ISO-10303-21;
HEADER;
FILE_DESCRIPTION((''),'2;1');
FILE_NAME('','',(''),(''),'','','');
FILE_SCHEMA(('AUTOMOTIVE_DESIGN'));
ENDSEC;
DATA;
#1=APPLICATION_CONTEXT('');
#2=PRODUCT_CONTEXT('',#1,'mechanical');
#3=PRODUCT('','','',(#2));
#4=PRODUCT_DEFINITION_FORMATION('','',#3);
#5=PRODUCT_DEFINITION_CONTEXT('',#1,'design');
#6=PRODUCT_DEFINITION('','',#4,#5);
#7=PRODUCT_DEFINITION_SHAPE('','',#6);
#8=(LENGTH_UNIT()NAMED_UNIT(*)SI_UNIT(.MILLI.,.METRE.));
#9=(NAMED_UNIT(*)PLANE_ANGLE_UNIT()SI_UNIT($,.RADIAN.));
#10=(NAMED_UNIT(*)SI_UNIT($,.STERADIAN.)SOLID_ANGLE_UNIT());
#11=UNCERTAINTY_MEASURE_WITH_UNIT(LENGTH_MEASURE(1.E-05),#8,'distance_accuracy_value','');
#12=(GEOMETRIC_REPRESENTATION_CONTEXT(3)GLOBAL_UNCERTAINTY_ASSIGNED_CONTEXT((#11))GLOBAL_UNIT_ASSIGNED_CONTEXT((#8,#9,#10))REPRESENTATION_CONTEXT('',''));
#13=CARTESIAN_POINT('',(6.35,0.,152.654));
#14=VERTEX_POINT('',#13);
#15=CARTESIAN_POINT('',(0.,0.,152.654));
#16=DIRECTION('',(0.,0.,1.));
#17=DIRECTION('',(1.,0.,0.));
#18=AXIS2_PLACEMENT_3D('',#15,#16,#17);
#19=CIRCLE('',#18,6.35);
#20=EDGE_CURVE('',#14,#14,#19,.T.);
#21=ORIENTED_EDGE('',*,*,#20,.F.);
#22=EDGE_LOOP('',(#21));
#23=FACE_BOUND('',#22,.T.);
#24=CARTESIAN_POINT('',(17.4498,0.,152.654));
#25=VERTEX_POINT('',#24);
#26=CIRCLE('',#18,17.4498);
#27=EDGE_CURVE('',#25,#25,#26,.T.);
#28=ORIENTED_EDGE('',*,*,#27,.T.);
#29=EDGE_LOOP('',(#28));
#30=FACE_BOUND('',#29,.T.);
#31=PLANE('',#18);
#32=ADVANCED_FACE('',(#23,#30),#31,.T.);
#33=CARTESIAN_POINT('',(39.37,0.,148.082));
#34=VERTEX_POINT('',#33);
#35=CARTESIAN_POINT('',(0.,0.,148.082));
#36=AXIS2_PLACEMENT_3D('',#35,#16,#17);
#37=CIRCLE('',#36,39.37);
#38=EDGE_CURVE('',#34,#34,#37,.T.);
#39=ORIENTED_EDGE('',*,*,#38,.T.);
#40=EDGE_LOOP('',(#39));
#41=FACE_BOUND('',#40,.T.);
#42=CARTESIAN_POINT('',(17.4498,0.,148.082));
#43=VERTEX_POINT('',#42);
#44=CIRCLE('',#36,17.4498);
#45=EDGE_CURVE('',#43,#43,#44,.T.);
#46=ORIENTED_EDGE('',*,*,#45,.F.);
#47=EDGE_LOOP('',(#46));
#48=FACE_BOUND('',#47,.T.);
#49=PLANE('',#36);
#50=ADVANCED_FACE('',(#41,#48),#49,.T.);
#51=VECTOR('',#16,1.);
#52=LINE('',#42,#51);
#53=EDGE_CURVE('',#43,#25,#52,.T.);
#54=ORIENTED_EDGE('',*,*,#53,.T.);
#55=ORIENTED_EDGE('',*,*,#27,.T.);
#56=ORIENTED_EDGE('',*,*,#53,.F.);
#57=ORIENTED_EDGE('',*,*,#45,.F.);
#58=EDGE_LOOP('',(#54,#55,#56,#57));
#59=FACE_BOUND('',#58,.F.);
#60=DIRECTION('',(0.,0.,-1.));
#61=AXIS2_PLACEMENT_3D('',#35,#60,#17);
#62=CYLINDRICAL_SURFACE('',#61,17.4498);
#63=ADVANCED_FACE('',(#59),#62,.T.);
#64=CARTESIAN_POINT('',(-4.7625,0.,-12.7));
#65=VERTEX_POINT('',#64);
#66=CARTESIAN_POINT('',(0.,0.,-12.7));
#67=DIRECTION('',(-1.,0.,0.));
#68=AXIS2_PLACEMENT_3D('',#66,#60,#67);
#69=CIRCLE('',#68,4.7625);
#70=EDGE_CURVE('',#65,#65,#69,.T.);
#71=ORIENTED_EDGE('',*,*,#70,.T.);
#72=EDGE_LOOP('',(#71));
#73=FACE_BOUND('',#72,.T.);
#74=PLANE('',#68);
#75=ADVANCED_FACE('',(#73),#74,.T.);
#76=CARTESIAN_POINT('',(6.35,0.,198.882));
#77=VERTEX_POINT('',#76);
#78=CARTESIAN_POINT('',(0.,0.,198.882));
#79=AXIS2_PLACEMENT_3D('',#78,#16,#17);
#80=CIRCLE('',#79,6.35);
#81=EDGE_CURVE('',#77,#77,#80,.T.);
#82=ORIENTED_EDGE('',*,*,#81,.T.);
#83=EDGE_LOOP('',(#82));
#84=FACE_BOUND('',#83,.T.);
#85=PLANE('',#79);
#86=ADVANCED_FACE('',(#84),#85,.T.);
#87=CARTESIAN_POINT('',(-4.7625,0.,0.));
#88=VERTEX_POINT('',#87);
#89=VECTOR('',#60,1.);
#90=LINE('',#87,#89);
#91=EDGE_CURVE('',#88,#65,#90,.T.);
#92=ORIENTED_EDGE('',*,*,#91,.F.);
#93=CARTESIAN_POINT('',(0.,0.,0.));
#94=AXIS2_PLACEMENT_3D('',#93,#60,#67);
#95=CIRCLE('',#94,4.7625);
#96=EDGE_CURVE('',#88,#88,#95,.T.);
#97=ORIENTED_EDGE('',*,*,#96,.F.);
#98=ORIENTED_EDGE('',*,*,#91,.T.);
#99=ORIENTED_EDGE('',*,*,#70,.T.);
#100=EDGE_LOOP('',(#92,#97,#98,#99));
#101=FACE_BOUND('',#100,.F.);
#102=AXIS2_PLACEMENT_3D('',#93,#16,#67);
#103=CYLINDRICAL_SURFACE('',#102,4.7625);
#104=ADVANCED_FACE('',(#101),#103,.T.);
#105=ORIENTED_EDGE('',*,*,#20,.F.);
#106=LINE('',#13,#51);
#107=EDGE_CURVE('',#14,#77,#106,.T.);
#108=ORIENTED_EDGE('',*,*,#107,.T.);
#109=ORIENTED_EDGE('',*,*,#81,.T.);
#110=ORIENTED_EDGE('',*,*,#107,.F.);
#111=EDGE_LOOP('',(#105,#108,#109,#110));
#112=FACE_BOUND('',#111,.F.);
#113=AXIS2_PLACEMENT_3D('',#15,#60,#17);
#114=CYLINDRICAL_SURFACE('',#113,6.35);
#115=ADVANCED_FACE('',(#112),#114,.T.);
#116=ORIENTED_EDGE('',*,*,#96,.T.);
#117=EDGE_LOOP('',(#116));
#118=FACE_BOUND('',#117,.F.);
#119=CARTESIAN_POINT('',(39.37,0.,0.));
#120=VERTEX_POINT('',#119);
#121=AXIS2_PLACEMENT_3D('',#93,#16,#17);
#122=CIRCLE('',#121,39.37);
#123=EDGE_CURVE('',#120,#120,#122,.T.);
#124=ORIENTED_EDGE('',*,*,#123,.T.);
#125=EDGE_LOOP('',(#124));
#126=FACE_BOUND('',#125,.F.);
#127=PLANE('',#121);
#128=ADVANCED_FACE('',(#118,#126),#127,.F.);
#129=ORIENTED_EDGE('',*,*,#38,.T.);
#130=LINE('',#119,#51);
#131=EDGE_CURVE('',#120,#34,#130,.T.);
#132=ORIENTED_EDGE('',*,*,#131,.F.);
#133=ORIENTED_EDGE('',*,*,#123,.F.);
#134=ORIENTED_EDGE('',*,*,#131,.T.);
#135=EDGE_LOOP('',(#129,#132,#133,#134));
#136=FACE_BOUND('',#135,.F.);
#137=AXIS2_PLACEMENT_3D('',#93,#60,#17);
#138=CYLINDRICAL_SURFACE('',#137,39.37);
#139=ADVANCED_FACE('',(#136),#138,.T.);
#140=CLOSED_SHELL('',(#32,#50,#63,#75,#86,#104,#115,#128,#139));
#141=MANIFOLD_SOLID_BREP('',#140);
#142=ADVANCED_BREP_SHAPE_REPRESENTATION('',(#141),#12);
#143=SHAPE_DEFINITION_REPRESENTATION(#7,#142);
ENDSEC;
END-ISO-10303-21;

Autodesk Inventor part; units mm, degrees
ref_plane "YZ Plane" through (0, 0, 0) normal (1, 0, 0) x (0, 1, 0)
ref_plane "XZ Plane" through (0, 0, 0) normal (0, 1, 0) x (-1, 0, 0)
ref_plane "XY Plane" through (0, 0, 0) normal (0, 0, 1) x (1, 0, 0)
sketch "Sketch1" plane through (0, 0, 0) normal (0, 0, 1) x (1, 0, 0)
  circle A0 centre (0, 0) radius 39.37
  dimension "d0" = 78.74
extrude "Extrusion1" add sketch "Sketch1" along normal blind 148.082
sketch "Sketch2" plane through (0, 0, 148.082) normal (0, 0, 1) x (1, 0, 0)
  circle A0 centre (0, 0) radius 17.4498
  dimension "d3" = 34.8996
extrude "Extrusion2" add sketch "Sketch2" along normal blind 4.572
sketch "Sketch3" plane through (0, 0, 152.654) normal (0, 0, 1) x (1, 0, 0)
  circle A0 centre (0, 0) radius 6.35
  dimension "d6" = 12.7
extrude "Extrusion3" add sketch "Sketch3" along normal blind 46.228
sketch "Sketch4" plane through (0, 0, 0) normal (0, 0, -1) x (-1, 0, 0)
  circle A0 centre (0, 0) radius 4.7625
  dimension "d9" = 9.525
extrude "Extrusion4" add sketch "Sketch4" along normal blind 12.7
properties part number "E30-400 motor"
